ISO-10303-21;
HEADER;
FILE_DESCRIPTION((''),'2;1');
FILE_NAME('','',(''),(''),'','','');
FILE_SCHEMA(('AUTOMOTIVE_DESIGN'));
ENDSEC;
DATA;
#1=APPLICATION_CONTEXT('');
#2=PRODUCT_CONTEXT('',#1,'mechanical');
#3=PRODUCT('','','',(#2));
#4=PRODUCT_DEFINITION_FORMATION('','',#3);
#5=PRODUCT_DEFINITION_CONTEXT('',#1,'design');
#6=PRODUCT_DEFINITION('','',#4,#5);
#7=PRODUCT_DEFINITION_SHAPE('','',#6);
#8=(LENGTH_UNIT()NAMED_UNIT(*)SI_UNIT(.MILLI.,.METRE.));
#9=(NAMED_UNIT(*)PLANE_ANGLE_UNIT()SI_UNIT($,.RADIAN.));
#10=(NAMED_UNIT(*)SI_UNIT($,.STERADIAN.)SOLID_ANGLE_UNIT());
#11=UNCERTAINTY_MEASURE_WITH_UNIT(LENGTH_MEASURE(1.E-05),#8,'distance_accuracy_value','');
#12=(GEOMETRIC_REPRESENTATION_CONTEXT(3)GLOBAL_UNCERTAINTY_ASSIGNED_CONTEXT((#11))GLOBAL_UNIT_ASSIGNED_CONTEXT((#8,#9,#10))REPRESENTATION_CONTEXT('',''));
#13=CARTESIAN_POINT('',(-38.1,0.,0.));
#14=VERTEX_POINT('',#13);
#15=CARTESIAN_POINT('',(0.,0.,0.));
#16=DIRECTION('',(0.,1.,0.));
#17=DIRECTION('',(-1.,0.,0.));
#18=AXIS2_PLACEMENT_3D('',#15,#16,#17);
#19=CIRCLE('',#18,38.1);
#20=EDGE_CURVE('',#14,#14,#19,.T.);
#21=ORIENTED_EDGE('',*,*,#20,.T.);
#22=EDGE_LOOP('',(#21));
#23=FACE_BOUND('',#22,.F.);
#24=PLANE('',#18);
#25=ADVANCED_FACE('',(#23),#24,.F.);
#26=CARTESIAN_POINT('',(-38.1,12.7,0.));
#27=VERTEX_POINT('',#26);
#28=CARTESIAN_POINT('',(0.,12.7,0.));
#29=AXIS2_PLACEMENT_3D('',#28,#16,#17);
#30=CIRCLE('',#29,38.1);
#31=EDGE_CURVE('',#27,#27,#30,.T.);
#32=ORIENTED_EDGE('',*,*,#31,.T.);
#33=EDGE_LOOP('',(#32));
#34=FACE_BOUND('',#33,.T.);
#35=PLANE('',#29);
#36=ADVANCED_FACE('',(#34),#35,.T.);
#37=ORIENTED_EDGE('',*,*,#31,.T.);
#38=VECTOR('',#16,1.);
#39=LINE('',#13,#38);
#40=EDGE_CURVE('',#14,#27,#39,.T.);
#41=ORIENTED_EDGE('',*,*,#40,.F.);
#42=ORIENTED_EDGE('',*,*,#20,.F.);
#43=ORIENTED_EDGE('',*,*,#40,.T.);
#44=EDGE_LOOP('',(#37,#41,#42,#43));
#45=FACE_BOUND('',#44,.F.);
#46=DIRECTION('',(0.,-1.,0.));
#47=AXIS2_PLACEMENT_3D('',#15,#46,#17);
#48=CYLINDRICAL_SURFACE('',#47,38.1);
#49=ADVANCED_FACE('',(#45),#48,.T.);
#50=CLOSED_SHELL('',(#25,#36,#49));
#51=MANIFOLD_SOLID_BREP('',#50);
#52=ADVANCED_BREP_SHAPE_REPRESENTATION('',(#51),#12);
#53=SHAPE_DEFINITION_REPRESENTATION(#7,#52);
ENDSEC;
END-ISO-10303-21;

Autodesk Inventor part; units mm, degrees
ref_plane "YZ Plane" through (0, 0, 0) normal (1, 0, 0) x (0, 1, 0)
ref_plane "XZ Plane" through (0, 0, 0) normal (0, 1, 0) x (-1, 0, 0)
ref_plane "XY Plane" through (0, 0, 0) normal (0, 0, 1) x (1, 0, 0)
sketch "Sketch1" plane through (0, 0, 0) normal (0, 1, 0) x (-1, 0, 0)
  circle A0 centre (0, 0) radius 38.1
  dimension "d0" = 76.2
extrude "Extrusion1" add sketch "Sketch1" along normal blind 12.7
properties part number "splashTopDisc" material "Wood (Cherry)"
